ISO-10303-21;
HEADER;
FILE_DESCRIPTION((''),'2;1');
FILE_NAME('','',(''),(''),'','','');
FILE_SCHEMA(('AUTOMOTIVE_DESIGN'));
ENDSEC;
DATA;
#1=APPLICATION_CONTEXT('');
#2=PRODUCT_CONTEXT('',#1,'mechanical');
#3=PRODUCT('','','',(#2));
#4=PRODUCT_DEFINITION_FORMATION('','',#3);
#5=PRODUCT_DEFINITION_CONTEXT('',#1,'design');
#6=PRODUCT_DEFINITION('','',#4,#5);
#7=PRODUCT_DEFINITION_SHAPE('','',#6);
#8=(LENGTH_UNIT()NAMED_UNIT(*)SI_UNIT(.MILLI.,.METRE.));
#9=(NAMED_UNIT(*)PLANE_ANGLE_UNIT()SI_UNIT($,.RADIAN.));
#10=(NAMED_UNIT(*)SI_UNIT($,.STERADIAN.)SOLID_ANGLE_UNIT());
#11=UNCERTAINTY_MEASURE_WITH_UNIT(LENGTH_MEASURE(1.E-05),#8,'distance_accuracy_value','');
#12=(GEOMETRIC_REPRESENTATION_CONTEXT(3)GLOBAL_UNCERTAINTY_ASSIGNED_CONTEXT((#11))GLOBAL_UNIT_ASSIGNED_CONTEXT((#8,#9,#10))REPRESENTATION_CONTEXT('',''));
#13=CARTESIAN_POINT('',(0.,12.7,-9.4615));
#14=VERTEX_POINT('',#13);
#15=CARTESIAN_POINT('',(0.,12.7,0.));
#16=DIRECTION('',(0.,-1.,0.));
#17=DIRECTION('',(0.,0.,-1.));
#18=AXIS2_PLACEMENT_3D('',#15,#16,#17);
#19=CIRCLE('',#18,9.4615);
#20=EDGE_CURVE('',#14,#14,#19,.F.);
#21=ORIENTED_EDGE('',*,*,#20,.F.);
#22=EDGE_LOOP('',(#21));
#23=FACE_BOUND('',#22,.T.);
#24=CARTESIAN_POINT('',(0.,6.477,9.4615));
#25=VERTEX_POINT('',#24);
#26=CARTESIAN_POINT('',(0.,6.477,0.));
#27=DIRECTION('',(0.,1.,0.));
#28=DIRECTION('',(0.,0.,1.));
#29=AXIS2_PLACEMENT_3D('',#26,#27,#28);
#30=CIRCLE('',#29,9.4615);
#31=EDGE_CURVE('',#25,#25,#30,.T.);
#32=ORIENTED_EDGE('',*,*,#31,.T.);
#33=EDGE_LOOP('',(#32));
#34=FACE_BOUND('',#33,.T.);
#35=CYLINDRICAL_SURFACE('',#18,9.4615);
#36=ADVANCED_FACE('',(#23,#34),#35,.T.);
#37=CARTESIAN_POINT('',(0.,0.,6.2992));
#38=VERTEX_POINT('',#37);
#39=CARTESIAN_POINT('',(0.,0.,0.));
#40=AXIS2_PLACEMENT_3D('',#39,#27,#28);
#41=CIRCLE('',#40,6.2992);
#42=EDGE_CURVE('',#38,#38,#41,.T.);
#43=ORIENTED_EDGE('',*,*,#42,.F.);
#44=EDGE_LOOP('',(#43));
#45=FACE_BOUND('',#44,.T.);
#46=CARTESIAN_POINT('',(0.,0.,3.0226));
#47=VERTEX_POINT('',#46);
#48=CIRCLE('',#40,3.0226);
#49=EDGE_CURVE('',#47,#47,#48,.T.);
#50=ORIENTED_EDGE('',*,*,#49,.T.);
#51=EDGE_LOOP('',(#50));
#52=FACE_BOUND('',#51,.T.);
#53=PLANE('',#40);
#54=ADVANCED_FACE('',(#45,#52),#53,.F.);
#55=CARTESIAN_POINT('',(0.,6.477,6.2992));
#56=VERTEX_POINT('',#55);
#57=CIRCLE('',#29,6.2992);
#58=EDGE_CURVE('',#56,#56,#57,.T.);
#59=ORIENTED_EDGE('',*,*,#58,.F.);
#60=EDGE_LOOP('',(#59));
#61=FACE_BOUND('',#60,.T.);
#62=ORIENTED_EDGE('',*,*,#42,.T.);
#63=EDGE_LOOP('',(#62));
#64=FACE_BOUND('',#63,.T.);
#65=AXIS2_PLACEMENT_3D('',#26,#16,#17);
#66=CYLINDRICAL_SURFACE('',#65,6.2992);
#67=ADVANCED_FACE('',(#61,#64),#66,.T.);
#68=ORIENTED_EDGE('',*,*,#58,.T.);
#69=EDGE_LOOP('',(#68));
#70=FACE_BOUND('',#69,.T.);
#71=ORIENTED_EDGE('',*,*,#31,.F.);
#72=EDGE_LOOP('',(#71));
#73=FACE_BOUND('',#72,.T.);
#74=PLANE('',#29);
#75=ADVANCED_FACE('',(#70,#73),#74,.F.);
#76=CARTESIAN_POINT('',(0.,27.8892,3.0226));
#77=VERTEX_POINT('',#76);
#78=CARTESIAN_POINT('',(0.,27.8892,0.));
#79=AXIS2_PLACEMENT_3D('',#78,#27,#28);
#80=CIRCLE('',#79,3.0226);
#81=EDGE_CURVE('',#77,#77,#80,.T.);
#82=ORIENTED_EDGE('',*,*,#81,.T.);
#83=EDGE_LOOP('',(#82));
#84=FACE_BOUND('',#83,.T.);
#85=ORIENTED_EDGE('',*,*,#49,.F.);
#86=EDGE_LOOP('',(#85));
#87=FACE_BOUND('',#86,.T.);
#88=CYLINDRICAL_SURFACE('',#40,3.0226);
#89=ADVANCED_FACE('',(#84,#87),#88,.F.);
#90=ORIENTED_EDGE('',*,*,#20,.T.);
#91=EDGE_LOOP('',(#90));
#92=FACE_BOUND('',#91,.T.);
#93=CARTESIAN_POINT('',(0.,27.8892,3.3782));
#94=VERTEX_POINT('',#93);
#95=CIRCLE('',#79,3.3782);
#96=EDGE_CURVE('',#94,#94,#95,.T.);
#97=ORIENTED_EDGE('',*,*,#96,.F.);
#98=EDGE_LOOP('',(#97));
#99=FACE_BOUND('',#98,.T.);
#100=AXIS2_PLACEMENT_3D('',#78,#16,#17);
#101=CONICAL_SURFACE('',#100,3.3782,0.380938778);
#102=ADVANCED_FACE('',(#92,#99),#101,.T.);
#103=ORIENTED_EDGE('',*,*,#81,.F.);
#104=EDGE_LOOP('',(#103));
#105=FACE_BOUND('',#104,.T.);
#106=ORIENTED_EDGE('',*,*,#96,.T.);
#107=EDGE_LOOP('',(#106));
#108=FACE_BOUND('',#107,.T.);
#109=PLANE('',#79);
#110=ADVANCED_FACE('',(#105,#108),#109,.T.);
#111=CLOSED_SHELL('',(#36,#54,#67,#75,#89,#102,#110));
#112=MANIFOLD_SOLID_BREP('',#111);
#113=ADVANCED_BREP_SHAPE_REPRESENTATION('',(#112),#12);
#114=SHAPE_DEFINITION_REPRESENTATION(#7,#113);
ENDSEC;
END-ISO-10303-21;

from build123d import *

# Parameters (mm, degrees)
SKETCH1_R           = 6.2992
BOSS_EXTRUDE1_DEPTH = 6.477
SKETCH2_R           = 9.4615
BOSS_EXTRUDE2_DEPTH = 6.223
SKETCH5_R           = 9.4615
SKETCH6_R           = 3.3782
SKETCH7_R           = 3.0226
CUT_EXTRUDE1_DEPTH  = 31.932950796


with BuildPart() as part:
    # Sketch1 → Boss-Extrude1 (new body)
    with BuildSketch(Plane(origin=(0, 0, 0), x_dir=(1, 0, 0), z_dir=(0, 1, 0))):
        with Locations(Location((0, 0, 0), (0, 0, 270))):
            Circle(SKETCH1_R)
    extrude(amount=BOSS_EXTRUDE1_DEPTH)

    # Sketch2 → Boss-Extrude2 (add)
    with BuildSketch(Plane(origin=(0, 6.477, 0), x_dir=(1, 0, 0), z_dir=(0, 1, 0))):
        with Locations(Location((0, 0, 0), (0, 0, 270))):
            Circle(SKETCH2_R)
    extrude(amount=BOSS_EXTRUDE2_DEPTH)

    # Sketch5 → Loft2 section 0
    with BuildSketch(Plane(origin=(0, 12.7, 0), x_dir=(1, 0, 0), z_dir=(0, 1, 0))):
        Circle(SKETCH5_R)
    # Sketch6 → Loft2 section 1
    with BuildSketch(Plane(origin=(0, 27.8892, 0), x_dir=(1, 0, 0), z_dir=(0, 1, 0))):
        Circle(SKETCH6_R)
    loft()

    # Sketch7 → Cut-Extrude1 (cut, through all)
    with BuildSketch(Plane(origin=(0, 27.8892, 0), x_dir=(1, 0, 0), z_dir=(0, 1, 0))):
        with Locations(Location((0, 0, 0), (0, 0, 270))):
            Circle(SKETCH7_R)
    extrude(amount=-CUT_EXTRUDE1_DEPTH, mode=Mode.SUBTRACT)


solid = part.part
